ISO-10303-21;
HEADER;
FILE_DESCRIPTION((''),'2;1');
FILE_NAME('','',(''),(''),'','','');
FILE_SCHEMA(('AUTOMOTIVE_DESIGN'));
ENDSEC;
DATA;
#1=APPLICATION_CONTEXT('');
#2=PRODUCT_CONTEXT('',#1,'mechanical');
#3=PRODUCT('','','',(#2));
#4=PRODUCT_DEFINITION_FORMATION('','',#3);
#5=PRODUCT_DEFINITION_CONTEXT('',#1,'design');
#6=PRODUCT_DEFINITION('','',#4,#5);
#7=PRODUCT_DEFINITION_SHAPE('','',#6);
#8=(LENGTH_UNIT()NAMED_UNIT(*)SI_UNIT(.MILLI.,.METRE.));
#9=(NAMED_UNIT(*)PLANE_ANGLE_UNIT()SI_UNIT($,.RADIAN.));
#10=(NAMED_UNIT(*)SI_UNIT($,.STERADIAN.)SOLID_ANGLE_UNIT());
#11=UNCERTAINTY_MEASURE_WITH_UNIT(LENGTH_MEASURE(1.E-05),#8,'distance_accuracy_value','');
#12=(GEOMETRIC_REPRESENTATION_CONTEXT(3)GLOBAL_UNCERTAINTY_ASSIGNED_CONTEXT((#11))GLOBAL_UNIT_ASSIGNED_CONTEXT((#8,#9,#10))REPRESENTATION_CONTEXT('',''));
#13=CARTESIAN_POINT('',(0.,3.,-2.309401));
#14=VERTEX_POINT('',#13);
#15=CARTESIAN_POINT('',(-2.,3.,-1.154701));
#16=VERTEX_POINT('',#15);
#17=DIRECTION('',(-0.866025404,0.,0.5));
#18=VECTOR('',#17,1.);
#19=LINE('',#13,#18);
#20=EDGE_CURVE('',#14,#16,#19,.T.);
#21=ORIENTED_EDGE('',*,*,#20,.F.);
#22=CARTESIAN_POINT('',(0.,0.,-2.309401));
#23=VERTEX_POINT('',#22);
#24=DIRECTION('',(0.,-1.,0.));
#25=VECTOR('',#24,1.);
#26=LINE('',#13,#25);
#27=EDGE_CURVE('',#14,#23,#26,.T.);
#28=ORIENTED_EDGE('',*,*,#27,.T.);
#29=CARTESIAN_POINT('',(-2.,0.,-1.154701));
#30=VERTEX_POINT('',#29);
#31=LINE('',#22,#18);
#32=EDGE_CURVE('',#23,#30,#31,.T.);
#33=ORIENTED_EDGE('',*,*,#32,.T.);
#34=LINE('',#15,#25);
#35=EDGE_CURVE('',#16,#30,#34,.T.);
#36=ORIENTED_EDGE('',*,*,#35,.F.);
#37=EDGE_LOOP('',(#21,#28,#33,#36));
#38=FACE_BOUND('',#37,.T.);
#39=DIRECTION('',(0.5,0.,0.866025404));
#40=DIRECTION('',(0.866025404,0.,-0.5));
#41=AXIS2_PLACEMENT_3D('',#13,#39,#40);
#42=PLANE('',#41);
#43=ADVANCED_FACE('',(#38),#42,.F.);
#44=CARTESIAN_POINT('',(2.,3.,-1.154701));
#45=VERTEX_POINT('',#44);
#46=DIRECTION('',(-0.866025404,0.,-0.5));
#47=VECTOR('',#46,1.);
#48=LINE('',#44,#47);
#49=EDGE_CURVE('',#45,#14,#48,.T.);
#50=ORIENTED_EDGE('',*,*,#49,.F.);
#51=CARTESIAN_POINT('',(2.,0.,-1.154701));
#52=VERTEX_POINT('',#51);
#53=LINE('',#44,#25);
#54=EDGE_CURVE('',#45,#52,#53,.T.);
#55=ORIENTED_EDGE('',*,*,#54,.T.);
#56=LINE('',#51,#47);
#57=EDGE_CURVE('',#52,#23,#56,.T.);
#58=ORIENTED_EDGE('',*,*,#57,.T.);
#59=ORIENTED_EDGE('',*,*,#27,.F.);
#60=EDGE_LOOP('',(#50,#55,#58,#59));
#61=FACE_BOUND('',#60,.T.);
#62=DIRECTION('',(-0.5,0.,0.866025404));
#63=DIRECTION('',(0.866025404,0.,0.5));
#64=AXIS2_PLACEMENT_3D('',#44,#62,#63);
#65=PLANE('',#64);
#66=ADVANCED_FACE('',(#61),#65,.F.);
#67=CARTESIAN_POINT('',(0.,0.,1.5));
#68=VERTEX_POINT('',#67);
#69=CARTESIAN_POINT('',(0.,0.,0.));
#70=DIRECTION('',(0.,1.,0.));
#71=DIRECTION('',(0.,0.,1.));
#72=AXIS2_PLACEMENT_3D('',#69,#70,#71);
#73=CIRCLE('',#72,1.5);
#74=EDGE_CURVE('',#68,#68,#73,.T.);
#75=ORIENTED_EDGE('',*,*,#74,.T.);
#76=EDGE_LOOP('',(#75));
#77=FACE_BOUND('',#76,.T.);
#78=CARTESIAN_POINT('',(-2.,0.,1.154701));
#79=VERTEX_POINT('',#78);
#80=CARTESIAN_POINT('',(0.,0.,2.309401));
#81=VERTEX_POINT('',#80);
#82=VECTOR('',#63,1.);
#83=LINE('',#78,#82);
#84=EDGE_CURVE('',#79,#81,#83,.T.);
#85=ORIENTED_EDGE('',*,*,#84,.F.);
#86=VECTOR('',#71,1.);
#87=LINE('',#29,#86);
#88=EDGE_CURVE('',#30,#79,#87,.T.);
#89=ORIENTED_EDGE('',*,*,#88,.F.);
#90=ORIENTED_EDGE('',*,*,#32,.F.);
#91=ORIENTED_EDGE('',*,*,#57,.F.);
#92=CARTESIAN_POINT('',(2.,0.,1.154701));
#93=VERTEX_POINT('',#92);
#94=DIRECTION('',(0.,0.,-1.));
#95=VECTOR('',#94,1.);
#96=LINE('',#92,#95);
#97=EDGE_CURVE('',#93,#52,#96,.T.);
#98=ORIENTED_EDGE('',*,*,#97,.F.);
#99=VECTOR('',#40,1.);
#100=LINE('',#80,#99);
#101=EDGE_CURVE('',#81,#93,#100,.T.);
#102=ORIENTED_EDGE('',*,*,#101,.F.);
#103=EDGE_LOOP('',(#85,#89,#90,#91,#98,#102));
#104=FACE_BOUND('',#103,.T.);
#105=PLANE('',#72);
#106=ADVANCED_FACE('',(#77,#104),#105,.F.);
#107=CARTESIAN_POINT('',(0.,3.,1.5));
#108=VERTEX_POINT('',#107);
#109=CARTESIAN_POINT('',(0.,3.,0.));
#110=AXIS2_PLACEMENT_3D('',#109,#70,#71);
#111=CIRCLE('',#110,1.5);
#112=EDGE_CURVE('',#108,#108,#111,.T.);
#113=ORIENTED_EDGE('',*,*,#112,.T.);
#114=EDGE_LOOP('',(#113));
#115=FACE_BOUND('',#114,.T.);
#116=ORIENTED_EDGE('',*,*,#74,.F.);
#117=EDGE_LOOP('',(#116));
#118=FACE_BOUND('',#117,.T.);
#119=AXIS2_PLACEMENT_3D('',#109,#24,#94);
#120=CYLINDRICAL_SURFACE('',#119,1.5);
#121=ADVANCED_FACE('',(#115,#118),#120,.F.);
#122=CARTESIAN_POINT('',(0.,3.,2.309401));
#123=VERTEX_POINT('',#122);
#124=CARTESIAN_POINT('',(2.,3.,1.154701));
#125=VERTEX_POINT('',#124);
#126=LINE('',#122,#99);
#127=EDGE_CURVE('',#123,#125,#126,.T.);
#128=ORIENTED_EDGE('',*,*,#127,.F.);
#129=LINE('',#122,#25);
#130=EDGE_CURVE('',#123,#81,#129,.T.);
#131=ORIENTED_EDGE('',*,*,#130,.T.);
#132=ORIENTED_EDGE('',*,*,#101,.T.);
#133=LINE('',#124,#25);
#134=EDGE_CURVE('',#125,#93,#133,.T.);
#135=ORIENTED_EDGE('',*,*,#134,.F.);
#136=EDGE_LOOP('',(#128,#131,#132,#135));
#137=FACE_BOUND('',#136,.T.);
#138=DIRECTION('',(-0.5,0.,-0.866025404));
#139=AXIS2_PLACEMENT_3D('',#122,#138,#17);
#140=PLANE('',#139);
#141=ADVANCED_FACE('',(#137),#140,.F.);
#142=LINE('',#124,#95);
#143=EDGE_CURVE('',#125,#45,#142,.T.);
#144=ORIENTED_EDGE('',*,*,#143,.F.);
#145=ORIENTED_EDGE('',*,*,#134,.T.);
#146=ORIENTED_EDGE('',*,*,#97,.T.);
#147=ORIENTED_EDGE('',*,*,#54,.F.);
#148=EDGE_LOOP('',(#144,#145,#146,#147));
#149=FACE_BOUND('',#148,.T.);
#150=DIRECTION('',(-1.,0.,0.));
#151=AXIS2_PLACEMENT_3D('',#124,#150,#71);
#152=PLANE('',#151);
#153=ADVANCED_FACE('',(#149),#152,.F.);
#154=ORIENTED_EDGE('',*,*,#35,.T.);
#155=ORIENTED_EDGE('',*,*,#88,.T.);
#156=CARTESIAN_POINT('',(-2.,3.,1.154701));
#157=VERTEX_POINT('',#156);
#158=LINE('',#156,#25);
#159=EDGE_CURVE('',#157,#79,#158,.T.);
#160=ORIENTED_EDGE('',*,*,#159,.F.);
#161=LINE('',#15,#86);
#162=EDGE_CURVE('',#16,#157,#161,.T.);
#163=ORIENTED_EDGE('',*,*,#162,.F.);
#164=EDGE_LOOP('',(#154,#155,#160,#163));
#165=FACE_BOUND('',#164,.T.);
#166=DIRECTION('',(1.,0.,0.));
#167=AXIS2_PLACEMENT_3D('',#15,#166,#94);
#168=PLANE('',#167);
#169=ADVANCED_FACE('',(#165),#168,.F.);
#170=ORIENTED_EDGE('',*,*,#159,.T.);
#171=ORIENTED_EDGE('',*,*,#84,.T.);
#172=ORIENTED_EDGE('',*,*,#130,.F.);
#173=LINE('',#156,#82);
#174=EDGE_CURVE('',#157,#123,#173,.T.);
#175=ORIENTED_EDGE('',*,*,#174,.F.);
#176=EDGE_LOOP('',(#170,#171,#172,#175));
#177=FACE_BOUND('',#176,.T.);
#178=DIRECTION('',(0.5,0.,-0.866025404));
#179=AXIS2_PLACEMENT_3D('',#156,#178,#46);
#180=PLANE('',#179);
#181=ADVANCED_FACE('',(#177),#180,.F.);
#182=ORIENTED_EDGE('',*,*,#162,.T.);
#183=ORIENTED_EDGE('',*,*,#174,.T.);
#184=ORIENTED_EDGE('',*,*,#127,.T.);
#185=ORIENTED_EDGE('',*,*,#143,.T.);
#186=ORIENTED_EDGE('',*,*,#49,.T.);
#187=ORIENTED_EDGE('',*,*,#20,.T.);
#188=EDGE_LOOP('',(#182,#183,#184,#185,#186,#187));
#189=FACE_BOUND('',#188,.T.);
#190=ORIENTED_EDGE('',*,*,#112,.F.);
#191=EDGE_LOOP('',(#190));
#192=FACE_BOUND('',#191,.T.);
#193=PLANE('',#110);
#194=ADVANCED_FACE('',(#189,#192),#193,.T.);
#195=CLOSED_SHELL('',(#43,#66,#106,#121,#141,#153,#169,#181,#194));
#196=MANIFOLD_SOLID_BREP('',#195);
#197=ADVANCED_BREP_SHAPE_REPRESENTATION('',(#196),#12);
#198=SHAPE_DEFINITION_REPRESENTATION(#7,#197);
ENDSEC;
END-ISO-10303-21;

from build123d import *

# Parameters (mm, degrees)
SKETCH_1_R      = 1.5
EXTRUDE_1_DEPTH = 3


with BuildPart() as part:
    # 草图1 → 凸台-拉伸1 (new body)
    with BuildSketch(Plane(origin=(0, 0, 0), x_dir=(1, 0, 0), z_dir=(0, 1, 0))):
        Polygon((0, 2.309401077), (-2, 1.154700538), (-2, -1.154700538), (0, -2.309401077), (2, -1.154700538), (2, 1.154700538), align=None)
        with Locations(Location((0, 0, 0), (0, 0, 270))):
            Circle(SKETCH_1_R, mode=Mode.SUBTRACT)
    extrude(amount=EXTRUDE_1_DEPTH)


solid = part.part
